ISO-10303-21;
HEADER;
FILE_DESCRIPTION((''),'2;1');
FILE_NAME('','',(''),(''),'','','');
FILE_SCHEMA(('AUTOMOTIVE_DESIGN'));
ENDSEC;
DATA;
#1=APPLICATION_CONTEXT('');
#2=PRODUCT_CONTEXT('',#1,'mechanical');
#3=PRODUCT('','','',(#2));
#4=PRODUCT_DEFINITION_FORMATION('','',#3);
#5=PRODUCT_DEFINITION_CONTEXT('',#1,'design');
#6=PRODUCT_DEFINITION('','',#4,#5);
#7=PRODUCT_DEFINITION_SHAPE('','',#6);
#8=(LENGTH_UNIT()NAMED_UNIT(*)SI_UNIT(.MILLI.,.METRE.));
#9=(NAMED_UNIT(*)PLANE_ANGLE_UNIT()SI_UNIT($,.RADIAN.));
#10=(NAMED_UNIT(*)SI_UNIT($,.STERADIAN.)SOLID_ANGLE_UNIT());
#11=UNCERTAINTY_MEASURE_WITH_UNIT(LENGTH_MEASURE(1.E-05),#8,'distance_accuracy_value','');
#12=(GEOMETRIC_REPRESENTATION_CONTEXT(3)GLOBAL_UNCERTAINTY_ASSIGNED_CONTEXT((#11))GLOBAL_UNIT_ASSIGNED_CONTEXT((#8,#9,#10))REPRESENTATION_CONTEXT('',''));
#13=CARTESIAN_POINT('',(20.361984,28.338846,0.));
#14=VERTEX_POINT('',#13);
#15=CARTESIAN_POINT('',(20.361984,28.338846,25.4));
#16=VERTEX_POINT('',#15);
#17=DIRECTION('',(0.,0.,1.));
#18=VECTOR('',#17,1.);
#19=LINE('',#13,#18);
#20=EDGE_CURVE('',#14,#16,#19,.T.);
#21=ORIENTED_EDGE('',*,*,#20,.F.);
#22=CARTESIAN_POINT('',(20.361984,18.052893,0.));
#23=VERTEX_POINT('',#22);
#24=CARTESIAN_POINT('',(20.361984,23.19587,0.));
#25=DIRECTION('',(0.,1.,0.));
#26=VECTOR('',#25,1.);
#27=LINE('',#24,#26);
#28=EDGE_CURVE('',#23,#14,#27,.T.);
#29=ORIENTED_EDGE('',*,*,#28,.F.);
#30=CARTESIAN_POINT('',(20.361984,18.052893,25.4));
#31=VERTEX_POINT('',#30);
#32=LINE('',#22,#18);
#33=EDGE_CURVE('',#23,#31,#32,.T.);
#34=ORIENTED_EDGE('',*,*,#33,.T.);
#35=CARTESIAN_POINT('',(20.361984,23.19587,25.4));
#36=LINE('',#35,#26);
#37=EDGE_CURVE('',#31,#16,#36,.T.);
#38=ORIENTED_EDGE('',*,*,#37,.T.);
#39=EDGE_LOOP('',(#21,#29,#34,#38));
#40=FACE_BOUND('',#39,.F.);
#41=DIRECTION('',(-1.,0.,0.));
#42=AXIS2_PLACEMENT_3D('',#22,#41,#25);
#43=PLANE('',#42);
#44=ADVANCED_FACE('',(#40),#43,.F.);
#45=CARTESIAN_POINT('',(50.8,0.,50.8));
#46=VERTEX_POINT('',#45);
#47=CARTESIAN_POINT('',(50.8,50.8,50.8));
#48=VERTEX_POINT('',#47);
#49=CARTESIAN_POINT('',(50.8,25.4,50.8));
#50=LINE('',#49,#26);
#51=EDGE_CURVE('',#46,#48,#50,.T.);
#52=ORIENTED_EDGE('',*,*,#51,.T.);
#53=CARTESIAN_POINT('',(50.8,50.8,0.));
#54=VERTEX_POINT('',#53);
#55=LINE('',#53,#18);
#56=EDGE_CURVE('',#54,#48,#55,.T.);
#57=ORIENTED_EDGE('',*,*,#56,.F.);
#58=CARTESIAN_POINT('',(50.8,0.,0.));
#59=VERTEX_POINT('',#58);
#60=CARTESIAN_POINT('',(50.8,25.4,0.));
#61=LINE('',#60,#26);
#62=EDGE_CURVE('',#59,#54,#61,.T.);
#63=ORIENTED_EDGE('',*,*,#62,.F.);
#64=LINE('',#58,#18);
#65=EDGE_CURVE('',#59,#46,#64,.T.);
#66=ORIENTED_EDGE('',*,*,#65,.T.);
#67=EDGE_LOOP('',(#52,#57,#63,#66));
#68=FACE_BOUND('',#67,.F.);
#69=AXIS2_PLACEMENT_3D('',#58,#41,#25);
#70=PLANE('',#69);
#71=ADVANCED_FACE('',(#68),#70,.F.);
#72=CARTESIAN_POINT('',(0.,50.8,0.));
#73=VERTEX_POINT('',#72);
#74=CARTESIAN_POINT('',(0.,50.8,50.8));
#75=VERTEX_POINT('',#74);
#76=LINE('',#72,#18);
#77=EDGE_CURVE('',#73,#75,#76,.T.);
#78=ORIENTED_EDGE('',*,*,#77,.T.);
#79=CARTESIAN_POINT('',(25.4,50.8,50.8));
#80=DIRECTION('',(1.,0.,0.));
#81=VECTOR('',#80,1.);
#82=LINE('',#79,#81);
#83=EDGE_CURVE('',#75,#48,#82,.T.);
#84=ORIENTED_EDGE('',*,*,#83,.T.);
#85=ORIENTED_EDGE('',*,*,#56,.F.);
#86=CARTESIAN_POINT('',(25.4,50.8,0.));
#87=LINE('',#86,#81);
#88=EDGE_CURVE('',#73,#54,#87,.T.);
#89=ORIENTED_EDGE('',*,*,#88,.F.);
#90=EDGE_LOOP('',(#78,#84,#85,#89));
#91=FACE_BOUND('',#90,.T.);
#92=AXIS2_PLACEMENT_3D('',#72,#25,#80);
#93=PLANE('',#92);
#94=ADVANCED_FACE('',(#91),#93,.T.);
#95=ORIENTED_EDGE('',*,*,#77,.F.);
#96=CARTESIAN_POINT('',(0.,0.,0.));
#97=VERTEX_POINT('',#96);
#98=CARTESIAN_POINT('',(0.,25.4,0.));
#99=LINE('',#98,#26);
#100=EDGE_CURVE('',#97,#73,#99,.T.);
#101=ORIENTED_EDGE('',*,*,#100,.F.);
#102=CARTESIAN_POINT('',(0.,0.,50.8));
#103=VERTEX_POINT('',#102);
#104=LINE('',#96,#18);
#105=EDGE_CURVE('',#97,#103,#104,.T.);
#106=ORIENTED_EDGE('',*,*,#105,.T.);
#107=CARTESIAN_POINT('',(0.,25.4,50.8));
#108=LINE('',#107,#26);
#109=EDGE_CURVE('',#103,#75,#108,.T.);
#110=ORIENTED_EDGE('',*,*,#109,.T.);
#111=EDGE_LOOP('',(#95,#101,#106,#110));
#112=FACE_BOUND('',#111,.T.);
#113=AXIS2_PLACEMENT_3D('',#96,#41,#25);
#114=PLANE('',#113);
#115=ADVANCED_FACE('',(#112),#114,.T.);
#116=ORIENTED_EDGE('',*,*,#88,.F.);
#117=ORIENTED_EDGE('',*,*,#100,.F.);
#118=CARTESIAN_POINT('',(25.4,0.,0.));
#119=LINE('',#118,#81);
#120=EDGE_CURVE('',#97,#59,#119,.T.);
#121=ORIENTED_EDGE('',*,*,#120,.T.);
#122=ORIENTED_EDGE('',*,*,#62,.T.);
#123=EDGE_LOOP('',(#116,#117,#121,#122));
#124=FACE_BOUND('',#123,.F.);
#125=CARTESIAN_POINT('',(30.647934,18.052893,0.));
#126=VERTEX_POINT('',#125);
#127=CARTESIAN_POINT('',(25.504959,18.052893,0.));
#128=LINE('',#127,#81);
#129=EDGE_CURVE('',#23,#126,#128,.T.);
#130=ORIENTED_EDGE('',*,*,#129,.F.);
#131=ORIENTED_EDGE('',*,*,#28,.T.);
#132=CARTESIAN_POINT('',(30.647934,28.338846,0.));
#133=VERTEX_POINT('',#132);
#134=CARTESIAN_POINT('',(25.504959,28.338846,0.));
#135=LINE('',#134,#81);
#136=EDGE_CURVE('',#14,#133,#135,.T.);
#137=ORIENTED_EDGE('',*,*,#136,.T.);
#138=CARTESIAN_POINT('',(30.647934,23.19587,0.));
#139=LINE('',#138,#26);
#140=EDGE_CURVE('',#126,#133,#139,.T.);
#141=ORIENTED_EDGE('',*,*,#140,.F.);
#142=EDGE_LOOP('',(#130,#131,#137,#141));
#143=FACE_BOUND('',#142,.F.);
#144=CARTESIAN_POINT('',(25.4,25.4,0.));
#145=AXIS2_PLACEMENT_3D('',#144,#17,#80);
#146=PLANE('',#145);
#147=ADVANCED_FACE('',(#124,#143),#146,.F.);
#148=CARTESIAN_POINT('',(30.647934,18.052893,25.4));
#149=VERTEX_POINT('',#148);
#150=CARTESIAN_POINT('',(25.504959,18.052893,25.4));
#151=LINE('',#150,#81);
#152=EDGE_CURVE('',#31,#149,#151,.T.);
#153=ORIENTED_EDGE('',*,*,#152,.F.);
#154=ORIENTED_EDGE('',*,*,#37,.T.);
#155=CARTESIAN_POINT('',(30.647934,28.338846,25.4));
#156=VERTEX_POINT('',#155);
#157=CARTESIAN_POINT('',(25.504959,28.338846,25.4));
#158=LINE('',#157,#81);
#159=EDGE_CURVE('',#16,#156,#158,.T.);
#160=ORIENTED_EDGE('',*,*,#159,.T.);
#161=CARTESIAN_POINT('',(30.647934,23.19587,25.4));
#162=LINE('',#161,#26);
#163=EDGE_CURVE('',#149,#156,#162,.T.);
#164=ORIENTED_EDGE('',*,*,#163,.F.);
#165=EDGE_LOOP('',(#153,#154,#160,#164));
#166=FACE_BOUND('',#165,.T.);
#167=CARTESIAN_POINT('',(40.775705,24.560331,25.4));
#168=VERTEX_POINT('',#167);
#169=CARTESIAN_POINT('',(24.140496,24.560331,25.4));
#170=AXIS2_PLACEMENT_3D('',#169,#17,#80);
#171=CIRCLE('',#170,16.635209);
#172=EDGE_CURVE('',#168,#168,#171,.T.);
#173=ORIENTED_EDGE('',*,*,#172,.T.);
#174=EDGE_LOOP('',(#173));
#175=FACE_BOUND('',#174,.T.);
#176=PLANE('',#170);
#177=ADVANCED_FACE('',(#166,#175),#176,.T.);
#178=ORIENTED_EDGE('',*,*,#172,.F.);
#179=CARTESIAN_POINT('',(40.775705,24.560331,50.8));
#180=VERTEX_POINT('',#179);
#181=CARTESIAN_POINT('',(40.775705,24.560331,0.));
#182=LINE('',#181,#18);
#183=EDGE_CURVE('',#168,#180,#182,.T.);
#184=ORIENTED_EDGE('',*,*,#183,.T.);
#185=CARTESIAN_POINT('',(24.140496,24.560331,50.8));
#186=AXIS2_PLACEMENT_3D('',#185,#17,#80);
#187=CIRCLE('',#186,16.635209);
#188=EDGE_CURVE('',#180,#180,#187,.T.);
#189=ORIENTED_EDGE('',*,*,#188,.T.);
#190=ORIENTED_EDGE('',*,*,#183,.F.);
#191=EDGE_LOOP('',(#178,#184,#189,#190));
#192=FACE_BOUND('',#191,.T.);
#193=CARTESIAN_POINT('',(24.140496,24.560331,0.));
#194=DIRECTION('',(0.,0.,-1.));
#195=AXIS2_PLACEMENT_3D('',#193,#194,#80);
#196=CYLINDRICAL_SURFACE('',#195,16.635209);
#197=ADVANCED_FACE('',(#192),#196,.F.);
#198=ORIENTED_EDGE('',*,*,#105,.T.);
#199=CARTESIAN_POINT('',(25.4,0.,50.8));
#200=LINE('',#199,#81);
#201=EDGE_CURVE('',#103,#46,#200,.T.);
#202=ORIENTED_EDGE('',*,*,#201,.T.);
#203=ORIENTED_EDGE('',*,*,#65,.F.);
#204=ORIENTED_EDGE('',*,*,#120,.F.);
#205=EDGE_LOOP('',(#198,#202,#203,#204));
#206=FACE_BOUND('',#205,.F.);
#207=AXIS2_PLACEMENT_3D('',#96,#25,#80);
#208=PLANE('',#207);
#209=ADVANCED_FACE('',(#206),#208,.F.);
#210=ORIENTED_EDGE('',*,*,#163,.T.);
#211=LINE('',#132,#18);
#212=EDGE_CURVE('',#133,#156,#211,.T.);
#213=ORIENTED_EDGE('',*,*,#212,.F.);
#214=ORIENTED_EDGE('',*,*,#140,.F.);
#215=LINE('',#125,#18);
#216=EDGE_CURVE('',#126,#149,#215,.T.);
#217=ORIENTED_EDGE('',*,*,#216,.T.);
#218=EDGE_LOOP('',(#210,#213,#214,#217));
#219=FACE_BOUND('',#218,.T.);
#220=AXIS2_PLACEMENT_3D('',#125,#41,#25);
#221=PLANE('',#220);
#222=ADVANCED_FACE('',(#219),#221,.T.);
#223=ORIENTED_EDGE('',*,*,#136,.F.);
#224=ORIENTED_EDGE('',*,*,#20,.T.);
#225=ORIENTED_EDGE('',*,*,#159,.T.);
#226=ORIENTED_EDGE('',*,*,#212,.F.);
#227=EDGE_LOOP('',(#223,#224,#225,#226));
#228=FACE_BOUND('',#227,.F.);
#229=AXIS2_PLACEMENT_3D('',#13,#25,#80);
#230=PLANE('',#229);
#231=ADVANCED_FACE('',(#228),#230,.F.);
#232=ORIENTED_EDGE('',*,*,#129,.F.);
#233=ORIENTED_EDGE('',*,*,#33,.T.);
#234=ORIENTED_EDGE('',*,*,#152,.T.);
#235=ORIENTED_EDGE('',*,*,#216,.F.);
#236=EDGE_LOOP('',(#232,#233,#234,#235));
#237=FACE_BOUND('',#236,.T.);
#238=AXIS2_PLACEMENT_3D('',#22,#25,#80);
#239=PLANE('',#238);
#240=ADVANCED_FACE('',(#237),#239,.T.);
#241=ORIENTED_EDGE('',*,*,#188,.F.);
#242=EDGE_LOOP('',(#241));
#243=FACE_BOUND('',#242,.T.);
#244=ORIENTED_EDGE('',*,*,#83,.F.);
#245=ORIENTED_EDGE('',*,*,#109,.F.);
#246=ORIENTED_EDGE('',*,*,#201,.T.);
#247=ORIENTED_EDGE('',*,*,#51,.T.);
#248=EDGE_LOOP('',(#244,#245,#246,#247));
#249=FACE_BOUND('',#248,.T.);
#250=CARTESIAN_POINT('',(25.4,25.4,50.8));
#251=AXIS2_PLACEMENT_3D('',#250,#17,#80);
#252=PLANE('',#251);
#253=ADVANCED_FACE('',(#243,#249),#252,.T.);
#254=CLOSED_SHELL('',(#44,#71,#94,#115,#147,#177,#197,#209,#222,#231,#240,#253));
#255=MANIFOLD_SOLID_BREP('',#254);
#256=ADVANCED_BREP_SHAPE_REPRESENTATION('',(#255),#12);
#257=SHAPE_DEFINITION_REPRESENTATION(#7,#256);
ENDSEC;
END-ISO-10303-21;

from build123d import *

# Parameters (mm, degrees)
F0_R     = 16.635209
F0_W     = 10.285949
F0_H     = 10.285953
F1_DEPTH = 25.4
F0_W_2   = 50.8
F0_H_2   = 50.8
F2_DEPTH = 50.8


with BuildPart() as f1:
    # F0 (on Top) → F1 (new body)
    with BuildSketch(Plane.XY):
        with Locations((24.140496, 24.560331)):
            Circle(F0_R)
        with Locations((25.504959, 23.19587)):
            Rectangle(F0_W, F0_H, mode=Mode.SUBTRACT)
    extrude(amount=F1_DEPTH)

    # F0 (on Top) → F2 (join)
    with BuildSketch(Plane.XY):
        with Locations((25.4, 25.4)):
            Rectangle(F0_W_2, F0_H_2)
        with Locations((24.140496, 24.560331)):
            Circle(F0_R, mode=Mode.SUBTRACT)
    extrude(amount=F2_DEPTH)


solid = f1.part
